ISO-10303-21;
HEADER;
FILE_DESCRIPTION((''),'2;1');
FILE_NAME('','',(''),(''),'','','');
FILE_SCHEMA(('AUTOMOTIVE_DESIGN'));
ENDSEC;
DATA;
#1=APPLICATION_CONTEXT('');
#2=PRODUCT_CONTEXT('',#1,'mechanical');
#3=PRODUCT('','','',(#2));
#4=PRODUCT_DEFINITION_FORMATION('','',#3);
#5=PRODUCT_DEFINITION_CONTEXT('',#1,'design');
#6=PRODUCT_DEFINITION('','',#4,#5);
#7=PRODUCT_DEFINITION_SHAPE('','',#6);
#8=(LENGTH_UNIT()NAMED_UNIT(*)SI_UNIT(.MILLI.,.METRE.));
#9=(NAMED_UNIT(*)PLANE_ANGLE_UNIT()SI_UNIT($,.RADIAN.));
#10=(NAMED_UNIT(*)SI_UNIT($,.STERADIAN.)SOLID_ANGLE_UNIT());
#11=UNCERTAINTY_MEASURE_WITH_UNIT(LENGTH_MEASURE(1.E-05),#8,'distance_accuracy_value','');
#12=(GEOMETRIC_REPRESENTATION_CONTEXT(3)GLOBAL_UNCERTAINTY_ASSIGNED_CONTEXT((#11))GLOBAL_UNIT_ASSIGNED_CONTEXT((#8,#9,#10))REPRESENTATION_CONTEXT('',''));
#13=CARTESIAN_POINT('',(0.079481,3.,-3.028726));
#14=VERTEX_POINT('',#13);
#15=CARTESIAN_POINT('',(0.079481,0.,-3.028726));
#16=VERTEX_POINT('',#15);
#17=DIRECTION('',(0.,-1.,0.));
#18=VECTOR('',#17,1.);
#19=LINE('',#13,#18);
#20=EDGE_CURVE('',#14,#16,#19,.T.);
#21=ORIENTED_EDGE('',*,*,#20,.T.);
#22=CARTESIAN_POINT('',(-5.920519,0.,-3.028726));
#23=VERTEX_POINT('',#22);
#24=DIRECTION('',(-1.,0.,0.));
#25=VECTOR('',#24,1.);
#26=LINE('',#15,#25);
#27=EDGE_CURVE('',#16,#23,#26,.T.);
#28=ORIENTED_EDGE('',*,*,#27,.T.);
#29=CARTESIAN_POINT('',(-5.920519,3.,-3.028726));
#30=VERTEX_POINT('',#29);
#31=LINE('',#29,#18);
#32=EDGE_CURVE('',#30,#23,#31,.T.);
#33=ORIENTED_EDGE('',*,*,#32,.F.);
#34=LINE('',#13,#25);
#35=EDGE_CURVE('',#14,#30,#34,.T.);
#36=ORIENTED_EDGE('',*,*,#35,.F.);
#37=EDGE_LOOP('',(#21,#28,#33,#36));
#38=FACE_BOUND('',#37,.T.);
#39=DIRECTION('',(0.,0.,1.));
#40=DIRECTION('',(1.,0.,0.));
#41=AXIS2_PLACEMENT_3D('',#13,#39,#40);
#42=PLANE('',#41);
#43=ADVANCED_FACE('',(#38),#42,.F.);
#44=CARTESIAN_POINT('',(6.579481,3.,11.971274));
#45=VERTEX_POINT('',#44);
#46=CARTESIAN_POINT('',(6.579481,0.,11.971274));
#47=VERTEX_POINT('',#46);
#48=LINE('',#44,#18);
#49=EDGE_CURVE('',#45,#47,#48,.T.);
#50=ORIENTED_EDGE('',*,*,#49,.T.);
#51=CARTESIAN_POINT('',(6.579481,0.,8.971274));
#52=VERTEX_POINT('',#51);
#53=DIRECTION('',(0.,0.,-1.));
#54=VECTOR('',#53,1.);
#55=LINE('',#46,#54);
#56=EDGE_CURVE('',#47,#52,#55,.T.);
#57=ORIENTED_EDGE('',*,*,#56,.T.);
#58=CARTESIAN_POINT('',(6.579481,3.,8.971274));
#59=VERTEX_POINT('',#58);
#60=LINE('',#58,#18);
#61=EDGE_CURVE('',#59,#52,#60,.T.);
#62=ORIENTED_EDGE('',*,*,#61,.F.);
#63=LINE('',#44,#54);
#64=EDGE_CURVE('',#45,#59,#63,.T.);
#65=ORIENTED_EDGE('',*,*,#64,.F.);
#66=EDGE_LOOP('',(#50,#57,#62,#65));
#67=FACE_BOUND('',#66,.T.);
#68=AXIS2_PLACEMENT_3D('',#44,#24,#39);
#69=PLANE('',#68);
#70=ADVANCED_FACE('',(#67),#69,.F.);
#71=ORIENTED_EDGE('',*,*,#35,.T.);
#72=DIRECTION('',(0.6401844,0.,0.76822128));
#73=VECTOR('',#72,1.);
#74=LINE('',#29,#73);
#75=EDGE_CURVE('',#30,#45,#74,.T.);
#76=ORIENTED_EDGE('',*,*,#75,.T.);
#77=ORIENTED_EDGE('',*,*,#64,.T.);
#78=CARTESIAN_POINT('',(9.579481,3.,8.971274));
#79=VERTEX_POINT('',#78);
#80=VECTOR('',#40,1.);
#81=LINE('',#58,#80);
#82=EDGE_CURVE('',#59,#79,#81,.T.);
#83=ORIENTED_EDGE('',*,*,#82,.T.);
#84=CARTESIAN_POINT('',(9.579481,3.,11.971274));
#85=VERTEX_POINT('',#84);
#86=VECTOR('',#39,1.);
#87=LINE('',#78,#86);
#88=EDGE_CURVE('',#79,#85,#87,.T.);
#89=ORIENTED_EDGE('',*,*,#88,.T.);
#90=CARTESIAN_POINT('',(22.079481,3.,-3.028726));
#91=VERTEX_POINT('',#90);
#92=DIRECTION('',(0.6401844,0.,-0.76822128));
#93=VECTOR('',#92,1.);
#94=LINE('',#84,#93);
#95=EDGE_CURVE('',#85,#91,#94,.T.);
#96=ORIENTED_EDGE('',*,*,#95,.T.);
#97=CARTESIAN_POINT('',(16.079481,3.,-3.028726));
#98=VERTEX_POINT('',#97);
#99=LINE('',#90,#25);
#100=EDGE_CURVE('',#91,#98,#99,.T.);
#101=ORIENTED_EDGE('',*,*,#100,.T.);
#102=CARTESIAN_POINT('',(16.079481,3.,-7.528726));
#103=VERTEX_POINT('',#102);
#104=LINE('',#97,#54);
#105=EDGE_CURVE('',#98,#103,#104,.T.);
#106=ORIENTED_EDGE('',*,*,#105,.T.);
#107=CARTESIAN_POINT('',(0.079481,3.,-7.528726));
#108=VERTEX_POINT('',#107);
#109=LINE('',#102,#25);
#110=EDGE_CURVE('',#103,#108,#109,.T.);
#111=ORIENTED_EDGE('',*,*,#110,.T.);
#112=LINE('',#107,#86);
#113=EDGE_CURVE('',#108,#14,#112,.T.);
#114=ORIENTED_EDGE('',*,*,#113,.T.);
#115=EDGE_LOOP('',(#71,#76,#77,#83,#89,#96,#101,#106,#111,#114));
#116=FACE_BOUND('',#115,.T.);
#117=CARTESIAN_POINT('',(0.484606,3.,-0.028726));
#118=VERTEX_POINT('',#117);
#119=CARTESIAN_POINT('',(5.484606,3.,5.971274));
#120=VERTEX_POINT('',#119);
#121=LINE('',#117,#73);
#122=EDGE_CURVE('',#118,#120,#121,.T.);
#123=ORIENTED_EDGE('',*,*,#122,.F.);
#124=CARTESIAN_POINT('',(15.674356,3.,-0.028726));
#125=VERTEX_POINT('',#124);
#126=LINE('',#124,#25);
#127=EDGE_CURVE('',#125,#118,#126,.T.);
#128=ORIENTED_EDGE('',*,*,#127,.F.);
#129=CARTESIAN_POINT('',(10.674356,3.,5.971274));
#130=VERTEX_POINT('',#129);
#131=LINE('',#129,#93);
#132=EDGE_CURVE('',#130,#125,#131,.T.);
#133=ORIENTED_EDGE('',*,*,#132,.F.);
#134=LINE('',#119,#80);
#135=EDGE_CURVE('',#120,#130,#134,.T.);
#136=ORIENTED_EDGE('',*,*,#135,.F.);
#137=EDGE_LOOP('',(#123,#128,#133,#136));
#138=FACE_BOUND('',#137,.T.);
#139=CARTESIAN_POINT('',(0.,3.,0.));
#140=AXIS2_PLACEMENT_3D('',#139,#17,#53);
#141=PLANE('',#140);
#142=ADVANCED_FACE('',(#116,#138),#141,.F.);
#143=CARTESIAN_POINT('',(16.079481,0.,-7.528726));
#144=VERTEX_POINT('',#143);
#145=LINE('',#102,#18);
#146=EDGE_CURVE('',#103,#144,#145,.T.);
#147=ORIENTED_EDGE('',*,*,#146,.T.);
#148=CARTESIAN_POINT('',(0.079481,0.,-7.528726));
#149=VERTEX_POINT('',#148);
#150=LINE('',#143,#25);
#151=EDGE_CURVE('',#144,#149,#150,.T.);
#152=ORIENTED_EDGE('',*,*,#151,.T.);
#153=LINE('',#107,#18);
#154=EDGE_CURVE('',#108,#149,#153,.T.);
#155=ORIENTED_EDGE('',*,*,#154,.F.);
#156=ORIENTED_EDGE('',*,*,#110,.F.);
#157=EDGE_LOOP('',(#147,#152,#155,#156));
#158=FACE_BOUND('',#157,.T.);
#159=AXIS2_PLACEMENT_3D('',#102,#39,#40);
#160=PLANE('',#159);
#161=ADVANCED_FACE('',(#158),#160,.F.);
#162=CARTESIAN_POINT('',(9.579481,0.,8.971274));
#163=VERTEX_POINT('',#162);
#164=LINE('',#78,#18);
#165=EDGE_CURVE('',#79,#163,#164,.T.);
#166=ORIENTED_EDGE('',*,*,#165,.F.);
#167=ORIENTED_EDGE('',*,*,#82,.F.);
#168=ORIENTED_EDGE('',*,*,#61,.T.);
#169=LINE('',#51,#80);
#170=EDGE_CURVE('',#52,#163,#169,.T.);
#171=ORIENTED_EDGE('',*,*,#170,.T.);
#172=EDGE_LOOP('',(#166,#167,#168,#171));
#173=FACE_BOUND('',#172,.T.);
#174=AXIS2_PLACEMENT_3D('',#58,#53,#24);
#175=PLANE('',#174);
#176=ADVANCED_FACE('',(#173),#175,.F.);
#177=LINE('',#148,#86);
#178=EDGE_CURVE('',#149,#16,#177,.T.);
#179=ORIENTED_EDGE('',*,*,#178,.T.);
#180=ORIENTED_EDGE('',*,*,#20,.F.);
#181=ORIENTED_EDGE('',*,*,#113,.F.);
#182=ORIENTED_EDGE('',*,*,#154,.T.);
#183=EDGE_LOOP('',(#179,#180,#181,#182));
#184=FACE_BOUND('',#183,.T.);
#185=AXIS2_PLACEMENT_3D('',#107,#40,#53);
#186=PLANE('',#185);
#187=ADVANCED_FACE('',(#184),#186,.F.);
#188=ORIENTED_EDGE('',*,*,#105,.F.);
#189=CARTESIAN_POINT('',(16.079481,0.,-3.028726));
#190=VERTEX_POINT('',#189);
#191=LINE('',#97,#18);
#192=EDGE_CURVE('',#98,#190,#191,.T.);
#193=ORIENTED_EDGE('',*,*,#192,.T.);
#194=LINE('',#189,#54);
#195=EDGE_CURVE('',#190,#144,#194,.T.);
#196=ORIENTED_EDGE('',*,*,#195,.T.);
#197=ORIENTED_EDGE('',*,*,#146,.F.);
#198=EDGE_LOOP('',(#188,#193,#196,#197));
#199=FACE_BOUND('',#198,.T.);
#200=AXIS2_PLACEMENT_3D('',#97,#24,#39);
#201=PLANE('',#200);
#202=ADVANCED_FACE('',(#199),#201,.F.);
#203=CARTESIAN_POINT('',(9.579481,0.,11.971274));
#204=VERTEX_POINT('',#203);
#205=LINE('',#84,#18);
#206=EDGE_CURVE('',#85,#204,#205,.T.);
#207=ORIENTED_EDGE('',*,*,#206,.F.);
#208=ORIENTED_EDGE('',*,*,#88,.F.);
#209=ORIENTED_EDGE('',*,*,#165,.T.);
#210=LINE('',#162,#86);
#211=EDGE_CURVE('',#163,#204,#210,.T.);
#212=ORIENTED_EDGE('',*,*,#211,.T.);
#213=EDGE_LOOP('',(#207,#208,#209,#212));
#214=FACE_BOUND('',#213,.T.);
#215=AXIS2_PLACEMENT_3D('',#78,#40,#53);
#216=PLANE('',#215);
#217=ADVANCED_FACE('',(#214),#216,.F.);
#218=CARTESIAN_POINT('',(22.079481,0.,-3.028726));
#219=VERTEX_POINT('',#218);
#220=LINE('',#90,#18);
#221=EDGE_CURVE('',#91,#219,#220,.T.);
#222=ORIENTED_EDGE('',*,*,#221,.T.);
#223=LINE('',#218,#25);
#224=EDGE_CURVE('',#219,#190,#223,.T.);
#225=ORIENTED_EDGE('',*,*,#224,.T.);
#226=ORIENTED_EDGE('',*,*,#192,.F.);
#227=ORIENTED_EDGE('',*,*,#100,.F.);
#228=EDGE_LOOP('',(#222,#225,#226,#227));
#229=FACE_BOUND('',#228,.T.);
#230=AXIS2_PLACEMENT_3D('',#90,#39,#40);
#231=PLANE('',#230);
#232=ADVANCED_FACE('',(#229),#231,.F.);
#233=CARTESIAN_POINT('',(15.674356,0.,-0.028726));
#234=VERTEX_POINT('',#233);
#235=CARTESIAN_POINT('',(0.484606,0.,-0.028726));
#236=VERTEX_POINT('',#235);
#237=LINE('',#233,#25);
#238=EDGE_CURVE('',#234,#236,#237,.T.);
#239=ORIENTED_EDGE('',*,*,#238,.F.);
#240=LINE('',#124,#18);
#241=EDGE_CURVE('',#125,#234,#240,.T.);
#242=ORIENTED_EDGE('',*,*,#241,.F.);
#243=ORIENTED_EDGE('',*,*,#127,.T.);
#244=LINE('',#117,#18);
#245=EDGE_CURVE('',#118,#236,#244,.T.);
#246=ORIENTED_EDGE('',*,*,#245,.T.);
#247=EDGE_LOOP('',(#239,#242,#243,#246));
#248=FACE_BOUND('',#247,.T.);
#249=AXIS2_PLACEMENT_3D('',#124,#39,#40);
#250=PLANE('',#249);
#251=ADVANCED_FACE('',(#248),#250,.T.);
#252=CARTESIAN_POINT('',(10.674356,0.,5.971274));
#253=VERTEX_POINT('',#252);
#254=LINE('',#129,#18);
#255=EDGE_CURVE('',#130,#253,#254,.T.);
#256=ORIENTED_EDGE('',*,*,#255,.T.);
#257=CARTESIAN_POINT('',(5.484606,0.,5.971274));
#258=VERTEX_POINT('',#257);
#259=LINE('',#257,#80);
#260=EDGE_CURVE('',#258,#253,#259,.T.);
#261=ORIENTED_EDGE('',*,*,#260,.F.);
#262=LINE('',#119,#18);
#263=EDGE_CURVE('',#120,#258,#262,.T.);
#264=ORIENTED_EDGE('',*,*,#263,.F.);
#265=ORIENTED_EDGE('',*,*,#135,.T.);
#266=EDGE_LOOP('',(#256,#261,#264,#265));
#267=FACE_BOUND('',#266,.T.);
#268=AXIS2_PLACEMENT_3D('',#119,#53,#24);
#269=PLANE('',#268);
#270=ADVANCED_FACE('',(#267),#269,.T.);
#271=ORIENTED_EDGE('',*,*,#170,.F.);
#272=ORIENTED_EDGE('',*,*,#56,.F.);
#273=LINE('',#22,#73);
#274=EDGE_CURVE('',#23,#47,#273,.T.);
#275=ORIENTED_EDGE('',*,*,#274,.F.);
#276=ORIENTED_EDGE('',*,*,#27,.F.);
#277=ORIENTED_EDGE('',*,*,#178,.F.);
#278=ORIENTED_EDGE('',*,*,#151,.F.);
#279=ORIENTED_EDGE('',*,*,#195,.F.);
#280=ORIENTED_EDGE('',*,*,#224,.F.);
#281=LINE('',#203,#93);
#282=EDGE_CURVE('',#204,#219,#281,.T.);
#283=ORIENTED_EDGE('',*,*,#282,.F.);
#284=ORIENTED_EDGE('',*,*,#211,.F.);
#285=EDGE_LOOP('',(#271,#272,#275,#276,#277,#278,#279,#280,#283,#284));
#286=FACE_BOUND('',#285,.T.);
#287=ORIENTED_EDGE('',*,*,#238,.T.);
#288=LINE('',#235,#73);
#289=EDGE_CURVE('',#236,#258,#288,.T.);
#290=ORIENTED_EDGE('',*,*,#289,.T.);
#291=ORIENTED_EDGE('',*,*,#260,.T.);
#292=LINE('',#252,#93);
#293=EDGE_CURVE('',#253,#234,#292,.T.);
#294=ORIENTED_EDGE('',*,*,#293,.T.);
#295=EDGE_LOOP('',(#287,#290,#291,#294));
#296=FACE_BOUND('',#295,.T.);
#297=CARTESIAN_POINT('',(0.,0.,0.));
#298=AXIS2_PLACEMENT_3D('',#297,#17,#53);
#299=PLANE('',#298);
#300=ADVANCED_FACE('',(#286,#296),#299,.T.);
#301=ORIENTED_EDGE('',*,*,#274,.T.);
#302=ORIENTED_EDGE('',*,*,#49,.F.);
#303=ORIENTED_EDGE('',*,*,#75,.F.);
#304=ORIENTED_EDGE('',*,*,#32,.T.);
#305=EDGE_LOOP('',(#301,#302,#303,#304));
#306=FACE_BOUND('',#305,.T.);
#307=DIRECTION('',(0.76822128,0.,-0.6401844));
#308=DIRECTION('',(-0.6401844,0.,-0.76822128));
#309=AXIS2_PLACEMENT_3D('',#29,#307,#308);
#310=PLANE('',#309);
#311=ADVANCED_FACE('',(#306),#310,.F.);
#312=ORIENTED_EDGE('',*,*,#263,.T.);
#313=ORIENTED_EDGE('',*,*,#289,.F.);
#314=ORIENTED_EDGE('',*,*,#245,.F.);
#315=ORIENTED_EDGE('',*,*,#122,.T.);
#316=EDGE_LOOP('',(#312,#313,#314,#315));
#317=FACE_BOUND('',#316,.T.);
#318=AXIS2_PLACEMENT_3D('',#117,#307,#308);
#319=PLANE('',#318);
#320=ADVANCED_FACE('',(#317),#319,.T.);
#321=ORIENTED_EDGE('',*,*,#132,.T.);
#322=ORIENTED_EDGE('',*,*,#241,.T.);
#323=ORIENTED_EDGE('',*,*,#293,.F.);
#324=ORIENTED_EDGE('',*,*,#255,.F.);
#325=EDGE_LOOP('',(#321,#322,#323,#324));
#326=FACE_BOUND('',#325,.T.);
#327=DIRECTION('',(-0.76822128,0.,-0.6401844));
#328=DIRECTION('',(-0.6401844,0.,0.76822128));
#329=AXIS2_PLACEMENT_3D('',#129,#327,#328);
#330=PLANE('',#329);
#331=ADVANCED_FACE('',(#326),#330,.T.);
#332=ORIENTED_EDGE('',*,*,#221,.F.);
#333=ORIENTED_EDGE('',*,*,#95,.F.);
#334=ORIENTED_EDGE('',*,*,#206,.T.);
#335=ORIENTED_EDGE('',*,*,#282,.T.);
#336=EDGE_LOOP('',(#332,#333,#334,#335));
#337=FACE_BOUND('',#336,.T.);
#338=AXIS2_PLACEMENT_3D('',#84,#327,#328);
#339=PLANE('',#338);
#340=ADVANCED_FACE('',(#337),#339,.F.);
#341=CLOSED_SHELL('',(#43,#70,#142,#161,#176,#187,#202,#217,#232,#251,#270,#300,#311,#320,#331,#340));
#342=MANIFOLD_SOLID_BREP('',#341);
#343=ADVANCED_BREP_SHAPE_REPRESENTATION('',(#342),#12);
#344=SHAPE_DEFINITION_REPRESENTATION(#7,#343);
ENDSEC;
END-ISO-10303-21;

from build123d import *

# Parameters (mm, degrees)
BOSS_EXTRUDE1_DEPTH = 3


with BuildPart() as part:
    # Sketch1 → Boss-Extrude1 (new body)
    with BuildSketch(Plane(origin=(0, 0, 0), x_dir=(1, 0, 0), z_dir=(0, 1, 0))):
        Polygon((22.079481216, 3.028725772), (16.079481216, 3.028725772), (16.079481216, 7.528725772), (0.079481216, 7.528725772), (0.079481216, 3.028725772), (-5.920518784, 3.028725772), (6.579481216, -11.971274228), (6.579481216, -8.971274228), (9.579481216, -8.971274228), (9.579481216, -11.971274228), align=None)
        Polygon((15.674356378, 0.028725772), (0.484606054, 0.028725772), (5.484606054, -5.971274228), (10.674356378, -5.971274228), align=None, mode=Mode.SUBTRACT)
    extrude(amount=BOSS_EXTRUDE1_DEPTH)


solid = part.part
